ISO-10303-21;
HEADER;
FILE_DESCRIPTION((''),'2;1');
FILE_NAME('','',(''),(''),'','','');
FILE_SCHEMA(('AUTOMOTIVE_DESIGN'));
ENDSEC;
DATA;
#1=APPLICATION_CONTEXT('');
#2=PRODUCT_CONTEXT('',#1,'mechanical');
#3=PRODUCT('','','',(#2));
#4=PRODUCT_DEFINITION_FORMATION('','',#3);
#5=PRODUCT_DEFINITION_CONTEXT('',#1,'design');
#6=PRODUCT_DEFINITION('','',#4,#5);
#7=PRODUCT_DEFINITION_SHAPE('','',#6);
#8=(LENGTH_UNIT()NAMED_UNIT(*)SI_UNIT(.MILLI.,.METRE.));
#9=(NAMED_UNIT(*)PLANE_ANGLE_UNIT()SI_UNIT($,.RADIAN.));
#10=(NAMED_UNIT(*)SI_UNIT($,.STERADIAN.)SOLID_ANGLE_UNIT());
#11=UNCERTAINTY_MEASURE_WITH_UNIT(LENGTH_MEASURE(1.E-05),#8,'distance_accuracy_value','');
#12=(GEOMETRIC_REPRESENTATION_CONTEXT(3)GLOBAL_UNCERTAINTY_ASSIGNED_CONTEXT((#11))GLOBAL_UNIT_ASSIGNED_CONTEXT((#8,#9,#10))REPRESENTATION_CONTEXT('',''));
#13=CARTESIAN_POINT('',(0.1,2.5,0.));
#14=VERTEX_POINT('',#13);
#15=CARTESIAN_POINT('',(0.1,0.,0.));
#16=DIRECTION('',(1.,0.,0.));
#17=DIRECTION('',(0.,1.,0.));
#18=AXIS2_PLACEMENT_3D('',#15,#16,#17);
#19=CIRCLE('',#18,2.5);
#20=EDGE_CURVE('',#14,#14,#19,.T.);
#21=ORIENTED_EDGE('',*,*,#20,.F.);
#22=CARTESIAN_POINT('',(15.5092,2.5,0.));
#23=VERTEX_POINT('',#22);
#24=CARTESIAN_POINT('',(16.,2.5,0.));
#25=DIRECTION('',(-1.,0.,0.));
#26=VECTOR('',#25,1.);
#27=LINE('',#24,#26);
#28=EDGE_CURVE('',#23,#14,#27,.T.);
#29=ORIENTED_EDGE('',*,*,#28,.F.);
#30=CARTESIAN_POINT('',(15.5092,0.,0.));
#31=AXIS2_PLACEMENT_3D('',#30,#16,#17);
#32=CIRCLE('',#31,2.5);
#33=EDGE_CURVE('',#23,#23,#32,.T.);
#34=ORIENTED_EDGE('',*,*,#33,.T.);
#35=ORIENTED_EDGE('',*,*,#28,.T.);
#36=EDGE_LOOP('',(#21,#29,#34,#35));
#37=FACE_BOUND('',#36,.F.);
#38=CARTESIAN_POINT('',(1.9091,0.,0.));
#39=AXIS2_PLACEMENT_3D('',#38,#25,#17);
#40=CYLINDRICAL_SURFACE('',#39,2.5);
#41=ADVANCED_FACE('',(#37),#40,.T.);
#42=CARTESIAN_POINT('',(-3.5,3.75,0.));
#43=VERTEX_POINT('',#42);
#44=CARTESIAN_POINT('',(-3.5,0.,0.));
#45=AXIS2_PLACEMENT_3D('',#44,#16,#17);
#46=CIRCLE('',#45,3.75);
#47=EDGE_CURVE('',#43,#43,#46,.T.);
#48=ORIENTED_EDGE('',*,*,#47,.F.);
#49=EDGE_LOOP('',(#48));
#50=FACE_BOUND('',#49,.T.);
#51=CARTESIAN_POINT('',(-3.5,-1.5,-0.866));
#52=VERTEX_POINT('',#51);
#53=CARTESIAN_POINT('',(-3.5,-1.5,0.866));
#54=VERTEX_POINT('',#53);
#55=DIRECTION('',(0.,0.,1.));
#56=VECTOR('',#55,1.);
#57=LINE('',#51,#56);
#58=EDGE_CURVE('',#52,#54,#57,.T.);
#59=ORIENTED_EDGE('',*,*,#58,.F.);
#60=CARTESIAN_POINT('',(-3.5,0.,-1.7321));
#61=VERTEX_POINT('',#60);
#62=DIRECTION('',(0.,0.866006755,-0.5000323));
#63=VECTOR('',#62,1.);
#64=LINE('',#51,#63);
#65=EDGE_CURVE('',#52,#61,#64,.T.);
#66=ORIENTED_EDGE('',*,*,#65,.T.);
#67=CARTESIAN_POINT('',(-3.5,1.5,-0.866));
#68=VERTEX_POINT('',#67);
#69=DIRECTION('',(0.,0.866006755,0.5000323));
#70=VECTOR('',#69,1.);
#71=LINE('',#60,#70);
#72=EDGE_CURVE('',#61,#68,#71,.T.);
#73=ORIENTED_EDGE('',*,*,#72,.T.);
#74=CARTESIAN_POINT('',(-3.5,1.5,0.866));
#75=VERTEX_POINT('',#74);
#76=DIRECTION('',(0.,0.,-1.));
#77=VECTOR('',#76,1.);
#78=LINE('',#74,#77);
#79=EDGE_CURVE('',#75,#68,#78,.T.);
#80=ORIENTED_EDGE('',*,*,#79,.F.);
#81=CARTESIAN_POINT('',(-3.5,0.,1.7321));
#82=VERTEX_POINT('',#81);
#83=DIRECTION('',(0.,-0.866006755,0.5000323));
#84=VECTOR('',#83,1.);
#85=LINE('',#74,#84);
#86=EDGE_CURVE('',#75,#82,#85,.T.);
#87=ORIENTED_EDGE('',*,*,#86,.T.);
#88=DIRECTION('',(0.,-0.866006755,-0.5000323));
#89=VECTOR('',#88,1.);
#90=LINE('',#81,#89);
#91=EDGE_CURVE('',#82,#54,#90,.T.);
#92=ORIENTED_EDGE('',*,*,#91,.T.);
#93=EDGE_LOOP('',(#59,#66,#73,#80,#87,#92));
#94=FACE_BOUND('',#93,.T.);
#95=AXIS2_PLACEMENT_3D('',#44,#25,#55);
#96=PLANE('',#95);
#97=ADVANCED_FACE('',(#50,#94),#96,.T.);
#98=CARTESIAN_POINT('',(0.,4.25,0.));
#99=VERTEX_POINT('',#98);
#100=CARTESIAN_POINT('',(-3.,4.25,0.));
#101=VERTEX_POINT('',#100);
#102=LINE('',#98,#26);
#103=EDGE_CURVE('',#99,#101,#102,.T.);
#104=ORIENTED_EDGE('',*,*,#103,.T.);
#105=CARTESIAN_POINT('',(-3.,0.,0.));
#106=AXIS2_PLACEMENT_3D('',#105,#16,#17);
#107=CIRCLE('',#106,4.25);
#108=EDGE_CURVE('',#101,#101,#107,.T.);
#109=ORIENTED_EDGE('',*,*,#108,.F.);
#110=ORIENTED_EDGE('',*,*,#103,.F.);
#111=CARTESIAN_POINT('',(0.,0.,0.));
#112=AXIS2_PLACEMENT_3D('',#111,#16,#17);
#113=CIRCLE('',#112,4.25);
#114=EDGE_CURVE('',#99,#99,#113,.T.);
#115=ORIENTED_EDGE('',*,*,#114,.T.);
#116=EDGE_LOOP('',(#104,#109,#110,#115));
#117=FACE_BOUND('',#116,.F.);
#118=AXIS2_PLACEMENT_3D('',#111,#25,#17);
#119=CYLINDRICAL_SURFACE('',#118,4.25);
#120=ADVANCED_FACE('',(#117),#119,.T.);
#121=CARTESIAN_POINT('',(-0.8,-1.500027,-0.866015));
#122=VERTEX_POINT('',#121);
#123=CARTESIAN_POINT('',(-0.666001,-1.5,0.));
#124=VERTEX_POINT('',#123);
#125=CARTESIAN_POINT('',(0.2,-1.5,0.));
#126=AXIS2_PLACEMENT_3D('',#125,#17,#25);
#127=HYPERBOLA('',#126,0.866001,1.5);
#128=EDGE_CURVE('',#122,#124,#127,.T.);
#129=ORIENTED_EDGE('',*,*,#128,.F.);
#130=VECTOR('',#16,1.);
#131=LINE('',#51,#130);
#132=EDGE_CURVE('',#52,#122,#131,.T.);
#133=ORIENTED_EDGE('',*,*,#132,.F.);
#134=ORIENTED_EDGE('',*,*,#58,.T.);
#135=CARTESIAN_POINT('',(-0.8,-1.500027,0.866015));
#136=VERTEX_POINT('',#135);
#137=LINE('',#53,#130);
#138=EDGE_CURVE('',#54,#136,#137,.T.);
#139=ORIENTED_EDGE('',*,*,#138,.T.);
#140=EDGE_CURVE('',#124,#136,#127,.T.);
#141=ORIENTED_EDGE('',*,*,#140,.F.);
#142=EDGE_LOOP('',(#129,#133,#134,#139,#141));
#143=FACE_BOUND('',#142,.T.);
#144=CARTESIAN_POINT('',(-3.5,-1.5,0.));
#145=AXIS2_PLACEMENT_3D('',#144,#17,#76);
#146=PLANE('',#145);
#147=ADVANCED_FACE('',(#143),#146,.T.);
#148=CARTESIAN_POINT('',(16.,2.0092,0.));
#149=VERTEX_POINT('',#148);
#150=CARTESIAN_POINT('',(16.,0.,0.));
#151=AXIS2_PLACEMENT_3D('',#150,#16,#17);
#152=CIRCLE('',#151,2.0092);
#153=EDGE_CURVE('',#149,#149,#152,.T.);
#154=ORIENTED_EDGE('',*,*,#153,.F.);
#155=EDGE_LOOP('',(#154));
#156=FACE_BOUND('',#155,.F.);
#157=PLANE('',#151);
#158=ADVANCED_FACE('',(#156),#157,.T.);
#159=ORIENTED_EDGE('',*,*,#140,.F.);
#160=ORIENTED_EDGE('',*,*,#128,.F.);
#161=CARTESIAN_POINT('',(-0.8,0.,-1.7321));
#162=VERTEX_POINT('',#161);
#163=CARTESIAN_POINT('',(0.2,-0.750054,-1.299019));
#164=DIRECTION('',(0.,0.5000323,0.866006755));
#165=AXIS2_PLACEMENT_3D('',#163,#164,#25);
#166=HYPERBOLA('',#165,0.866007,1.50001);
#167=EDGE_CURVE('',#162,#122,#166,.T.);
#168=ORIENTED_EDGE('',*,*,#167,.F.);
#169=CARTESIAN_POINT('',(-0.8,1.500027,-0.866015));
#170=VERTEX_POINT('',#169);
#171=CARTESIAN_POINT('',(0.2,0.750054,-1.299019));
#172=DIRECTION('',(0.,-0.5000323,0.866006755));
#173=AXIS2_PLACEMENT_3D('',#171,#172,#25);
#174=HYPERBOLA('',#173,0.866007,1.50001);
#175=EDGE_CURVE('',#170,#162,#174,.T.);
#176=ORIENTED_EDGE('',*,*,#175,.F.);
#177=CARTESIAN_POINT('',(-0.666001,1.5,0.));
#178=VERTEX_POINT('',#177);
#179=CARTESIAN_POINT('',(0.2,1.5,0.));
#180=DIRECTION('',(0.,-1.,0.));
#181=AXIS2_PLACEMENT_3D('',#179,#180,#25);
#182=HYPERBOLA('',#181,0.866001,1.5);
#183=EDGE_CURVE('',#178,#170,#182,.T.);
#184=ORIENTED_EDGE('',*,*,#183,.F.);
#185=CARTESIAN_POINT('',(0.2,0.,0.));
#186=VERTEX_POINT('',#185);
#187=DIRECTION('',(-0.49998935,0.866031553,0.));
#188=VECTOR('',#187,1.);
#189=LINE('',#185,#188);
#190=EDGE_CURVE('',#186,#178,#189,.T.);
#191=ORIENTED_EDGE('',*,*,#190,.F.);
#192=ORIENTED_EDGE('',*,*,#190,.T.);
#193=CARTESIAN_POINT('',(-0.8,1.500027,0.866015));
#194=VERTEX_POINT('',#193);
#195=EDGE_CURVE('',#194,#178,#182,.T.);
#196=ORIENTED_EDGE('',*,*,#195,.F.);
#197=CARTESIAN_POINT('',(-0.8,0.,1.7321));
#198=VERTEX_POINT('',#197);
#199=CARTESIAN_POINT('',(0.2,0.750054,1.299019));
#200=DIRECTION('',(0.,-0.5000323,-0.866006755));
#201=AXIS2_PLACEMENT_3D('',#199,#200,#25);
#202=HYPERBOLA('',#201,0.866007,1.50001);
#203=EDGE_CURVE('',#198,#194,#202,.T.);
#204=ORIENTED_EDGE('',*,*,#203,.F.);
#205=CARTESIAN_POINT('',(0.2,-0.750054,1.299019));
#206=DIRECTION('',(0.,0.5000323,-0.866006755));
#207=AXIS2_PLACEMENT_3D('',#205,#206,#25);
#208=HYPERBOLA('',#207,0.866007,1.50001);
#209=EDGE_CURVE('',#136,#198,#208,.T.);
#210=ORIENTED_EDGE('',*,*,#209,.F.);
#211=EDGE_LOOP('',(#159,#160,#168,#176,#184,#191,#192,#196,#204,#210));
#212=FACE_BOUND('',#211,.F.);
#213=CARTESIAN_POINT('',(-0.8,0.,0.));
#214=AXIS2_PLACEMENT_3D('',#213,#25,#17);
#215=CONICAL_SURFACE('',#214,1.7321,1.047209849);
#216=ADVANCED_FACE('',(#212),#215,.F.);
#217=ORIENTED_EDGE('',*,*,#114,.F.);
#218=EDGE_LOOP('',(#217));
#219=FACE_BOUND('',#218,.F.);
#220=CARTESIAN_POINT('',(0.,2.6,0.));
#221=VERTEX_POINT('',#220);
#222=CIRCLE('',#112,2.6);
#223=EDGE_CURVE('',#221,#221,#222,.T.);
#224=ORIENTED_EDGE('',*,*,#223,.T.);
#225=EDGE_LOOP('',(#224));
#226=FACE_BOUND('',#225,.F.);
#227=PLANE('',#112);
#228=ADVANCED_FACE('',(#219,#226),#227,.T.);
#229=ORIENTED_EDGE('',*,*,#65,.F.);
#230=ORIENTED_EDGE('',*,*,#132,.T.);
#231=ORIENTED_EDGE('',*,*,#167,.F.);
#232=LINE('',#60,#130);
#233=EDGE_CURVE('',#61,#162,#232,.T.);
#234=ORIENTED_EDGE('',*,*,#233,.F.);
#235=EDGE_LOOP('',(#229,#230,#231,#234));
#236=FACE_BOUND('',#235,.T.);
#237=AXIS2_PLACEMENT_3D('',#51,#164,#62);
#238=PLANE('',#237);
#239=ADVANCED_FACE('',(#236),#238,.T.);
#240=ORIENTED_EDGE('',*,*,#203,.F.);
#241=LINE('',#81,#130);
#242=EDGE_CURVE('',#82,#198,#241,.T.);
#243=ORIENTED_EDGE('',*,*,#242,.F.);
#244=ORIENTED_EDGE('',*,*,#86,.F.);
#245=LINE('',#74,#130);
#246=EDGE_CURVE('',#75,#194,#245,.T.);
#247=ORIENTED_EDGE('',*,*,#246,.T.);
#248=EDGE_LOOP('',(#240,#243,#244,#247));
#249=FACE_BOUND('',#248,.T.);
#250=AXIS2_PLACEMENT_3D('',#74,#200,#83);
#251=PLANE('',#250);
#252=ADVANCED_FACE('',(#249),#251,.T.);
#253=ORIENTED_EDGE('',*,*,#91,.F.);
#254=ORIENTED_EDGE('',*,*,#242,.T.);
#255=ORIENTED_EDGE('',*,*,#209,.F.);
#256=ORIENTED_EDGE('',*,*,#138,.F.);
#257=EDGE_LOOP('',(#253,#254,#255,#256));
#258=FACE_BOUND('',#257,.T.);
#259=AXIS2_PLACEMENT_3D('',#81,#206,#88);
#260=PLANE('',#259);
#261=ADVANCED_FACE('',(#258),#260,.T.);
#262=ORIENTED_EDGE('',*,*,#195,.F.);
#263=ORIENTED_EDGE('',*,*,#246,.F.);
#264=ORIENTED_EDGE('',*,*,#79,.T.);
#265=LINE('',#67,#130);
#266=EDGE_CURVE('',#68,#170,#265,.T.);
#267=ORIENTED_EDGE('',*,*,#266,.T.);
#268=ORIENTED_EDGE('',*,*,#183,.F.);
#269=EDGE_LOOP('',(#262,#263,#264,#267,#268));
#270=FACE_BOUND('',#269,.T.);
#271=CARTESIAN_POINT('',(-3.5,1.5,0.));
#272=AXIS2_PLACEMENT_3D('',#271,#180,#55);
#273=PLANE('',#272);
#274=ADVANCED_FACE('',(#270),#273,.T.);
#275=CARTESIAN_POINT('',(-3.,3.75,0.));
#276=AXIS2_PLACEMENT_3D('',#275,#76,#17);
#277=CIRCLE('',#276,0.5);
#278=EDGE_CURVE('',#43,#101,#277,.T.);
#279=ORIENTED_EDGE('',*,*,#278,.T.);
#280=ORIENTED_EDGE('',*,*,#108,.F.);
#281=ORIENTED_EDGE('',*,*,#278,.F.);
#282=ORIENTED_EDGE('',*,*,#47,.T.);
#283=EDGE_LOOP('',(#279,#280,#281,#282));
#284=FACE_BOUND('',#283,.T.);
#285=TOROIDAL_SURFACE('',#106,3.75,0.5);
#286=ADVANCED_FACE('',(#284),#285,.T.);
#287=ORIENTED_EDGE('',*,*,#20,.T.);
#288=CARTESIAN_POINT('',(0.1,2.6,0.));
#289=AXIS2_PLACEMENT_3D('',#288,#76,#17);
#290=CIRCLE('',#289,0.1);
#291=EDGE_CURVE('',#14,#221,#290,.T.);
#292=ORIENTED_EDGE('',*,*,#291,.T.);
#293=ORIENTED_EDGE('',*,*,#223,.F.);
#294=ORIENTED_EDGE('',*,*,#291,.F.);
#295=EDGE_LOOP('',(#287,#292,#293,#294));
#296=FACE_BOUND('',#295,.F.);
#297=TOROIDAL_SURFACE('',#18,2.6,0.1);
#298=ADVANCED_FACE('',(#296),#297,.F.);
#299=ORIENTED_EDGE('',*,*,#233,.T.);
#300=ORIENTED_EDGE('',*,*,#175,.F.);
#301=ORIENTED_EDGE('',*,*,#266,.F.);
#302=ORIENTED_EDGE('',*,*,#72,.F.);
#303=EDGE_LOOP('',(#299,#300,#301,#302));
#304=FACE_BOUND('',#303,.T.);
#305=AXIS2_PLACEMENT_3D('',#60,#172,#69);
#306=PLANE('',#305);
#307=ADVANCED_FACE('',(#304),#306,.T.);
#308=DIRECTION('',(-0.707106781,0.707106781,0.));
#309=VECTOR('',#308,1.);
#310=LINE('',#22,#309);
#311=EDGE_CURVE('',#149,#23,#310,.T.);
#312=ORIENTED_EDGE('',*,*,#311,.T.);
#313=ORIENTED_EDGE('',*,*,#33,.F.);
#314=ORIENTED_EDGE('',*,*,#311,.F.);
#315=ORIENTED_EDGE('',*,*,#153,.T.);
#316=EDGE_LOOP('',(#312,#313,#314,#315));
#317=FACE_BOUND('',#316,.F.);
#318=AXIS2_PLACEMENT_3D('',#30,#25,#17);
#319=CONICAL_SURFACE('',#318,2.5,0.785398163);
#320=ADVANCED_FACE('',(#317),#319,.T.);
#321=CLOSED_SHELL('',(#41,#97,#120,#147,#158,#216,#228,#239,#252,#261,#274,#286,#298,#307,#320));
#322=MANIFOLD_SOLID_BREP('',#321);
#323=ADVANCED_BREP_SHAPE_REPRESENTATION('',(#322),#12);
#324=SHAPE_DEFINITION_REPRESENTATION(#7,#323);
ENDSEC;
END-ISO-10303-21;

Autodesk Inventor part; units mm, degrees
ref_plane "YZ Plane" through (0, 0, 0) normal (1, 0, 0) x (0, 1, 0)
ref_plane "XZ Plane" through (0, 0, 0) normal (0, 1, 0) x (-1, 0, 0)
sketch "Sketch1" plane through (0, 0, 0) normal (0, 0, 1) x (1, 0, 0)
  line L0 (0.2, 0) -> (16, 0)
  line L1 (16, 0) -> (16, 2.5)
  line L2 (16, 2.5) -> (2.4, 2.5)
  line L3 (2.4, 2.5) -> (1.9091, 2.5)
  line L4 (1.9091, 2.5) -> (0, 2.5)
  line L5 (0, 2.5) -> (0, 4.25)
  line L6 (0, 4.25) -> (-3.5, 4.25)
  line L7 (-3.5, 4.25) -> (-3.5, 1.7321)
  line L8 (-3.5, 1.7321) -> (-0.8, 1.7321)
  line L9 (-0.8, 1.7321) -> (0.2, 0)
  line L10 (-7.4, 0) -> (19.9, 0) projected
  line L11 (0, -0.85) -> (0, 5.1) projected
  line L12 (2.4, 2.5) -> (0, 2.5) construction
  dimension "d1" = 13.6
  dimension "d2" = 0.4909
  dimension "d3" = 3.5
  dimension "d4" = 2.7
  dimension "d5" = 60
  dimension "d6" = 5
  dimension "d7" = 5
  dimension "d8" = 3.4641
  dimension "d9" = 8.5
  dimension "d26" = 16
revolve "Body" add sketch "Sketch1" angle 360 about axis through (0.2, 0, 0) along (1, 0, 0) contours L9 L11 L4 L3 L2 L1 L0 | L9 L8 L7 L6 L5 L11
sketch "Sketch2" plane through (-3.5, 0, 0) normal (-1, 0, 0) x (0, 0, 1)
  circle A0 centre (0, 0) radius 1.7321 projected
  line L0 (0, -5.95) -> (0, 5.95) projected
  line L1 (-5.95, 0) -> (5.95, 0) projected
  line L2 (1.7321, 0) -> (0.866, -1.5)
  line L3 (0.866, -1.5) -> (-0.866, -1.5)
  line L4 (-0.866, -1.5) -> (-1.7321, 0)
  line L5 (-1.7321, 0) -> (-0.866, 1.5)
  line L6 (-0.866, 1.5) -> (0.866, 1.5)
  line L7 (0.866, 1.5) -> (1.7321, 0)
extrude "Slot" add sketch "Sketch2" against normal up to next contours L7 A0 | A0 L2 | L6 L0 A0 | A0 L0 L3 | L0 L6 A0 | A0 L3 L0 | L4 A0 | A0 L5
fillet "Fillet1" radius 0.5 1 edges at (-3.5, -4.25, 0)
thread "Thread" size "M5x0.8" class "6g" standard "ISO Metric profile" length 13.6
chamfer "Chamfer1" distance 0.4908 distance2 0.4908 1 edges at (16, -2.5, 0) measured on face at (16, -1.1374, -1.1324)
ref_plane "Work Plane1" through (29, 0, 0) normal (0, -1, 0) x (1, 0, 0)
fillet "Fillet2" radius 0.1 1 edges at (0, -2.5, 0)
equation "\"d1\" = GEL"
equation "\"d3\" = KOH"
equation "\"d4\" = INTI"
equation "\"d6\" = GD"
equation "\"d7\" = BDM"
equation "\"d8\" = 1.1547 * SW"
equation "\"d9\" = KOD"
equation "\"d26\" = NLG"
equation "\"d30\" = R"
equation "\"d17\" = RR"
equation "\"d13\" = GEL"
equation "\"d15\" = -0.5 * SPD + 0.5 * GD"
equation "\"d16\" = GUL"
equation "\"GD\" = NND"
equation "\"NLG\" = 16"
equation "\"GEL\" = 13.6"
equation "\"KOD\" = 8.5"
equation "\"KOH\" = 3.5"
equation "\"INTI\" = 2.7"
equation "\"GAL\" = 0.61345 * PTC"
equation "\"GUL\" = 0.61345 * PTC"
equation "\"BDM\" = NND"
equation "\"SW\" = 3"
equation "\"RR\" = 0.5"
equation "\"SPD\" = NND - 1.2269 * PTC"
equation "\"R\" = 0.1"
equation "\"TOA\" = 30deg"
equation "\"GD1\" = THREADDIA - 1.2269 * PTC"
equation "\"THREADDIA\" = 5"
equation "\"FAWI\" = 45deg"
equation "\"ANG\" = 120deg"
equation "\"PTC\" = 0.8"
equation "\"NND\" = 5"
equation "\"E0\" = 1.155 * SW"
properties part number "DIN 7984 - M5 x 16" material "Steel, Mild"
